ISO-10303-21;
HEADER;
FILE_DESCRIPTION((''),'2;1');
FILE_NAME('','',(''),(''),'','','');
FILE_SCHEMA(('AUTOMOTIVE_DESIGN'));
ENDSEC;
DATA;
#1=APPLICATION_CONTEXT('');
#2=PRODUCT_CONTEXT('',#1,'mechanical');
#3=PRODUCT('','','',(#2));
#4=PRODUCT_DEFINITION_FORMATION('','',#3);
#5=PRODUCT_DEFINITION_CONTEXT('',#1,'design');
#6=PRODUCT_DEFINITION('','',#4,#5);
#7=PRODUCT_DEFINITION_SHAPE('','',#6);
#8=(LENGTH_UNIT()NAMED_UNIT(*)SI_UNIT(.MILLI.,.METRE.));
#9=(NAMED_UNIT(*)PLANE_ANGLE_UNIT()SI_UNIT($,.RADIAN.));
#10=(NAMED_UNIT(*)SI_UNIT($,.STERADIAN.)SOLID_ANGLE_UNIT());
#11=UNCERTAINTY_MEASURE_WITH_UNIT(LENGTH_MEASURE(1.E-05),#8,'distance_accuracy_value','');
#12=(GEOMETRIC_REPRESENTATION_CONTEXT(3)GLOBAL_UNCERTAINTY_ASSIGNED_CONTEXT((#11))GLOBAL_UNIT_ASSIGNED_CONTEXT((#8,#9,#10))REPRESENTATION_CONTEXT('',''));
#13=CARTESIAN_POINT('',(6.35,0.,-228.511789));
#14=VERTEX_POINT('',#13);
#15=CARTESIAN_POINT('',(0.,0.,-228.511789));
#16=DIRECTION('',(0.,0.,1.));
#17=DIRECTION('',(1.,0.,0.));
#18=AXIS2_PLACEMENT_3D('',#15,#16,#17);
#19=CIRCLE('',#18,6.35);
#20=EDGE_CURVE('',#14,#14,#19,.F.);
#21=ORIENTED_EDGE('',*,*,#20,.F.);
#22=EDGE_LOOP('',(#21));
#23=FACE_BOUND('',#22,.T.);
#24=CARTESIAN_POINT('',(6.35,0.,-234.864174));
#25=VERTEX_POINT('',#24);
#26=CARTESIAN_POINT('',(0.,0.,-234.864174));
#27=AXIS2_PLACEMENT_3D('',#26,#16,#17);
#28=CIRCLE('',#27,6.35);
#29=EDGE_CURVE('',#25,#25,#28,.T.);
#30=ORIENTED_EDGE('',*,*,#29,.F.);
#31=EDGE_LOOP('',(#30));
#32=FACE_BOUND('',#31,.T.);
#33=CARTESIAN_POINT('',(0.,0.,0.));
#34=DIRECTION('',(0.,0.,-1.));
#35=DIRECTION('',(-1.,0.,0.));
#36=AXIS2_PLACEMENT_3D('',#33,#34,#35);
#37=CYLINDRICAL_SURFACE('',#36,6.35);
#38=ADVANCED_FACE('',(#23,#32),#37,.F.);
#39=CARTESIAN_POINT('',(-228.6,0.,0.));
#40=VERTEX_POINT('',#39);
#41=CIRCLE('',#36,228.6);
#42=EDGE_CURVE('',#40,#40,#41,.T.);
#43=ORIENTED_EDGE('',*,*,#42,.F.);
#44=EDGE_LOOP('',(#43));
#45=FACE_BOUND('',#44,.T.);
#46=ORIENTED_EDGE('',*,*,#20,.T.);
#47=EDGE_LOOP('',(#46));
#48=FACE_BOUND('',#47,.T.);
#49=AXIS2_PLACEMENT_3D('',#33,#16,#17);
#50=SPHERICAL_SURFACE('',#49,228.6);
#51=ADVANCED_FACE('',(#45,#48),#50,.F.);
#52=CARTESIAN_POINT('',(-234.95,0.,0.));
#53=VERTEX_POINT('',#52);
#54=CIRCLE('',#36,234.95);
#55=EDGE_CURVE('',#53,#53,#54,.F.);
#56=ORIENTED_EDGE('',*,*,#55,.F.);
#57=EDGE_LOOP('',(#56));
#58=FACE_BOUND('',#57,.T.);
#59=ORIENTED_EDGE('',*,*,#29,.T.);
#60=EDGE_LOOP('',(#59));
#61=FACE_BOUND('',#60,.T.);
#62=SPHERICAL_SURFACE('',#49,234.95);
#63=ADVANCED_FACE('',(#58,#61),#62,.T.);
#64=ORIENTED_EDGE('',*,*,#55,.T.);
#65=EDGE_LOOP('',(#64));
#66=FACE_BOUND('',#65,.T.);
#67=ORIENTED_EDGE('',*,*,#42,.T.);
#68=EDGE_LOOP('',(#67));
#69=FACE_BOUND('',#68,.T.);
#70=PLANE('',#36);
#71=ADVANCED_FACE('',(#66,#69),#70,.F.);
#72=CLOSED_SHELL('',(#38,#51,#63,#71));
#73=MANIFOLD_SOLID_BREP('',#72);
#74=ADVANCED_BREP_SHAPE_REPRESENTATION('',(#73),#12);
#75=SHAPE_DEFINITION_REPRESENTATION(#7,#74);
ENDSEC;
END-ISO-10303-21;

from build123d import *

# Parameters (mm, degrees)
REVOLVE1_ANGLE     = 180
SKETCH2_R          = 6.35
CUT_EXTRUDE1_DEPTH = 407.945337238


with BuildPart() as part:
    # Sketch1 → Revolve1 (revolve)
    with BuildSketch(Plane.XY):
        with BuildLine():
            ThreePointArc((0, 234.95), (234.95, 0), (0, -234.95))
            Line((0, -234.95), (0, -228.6))
            ThreePointArc((0, -228.6), (228.6, 0), (0, 228.6))
            Line((0, 228.6), (0, 234.95))
        make_face()
    revolve(axis=Axis((0, -228.6, 0), (0, 1, 0)), revolution_arc=REVOLVE1_ANGLE)

    # Sketch2 → Cut-Extrude1 (cut, through all)
    with BuildSketch(Plane(origin=(0, 0, -234.95), x_dir=(-1, 0, 0), z_dir=(0, 0, -1))):
        with Locations(Location((0, 0, 0), (0, 0, 180))):
            Circle(SKETCH2_R)
    extrude(amount=-CUT_EXTRUDE1_DEPTH, mode=Mode.SUBTRACT)


solid = part.part
